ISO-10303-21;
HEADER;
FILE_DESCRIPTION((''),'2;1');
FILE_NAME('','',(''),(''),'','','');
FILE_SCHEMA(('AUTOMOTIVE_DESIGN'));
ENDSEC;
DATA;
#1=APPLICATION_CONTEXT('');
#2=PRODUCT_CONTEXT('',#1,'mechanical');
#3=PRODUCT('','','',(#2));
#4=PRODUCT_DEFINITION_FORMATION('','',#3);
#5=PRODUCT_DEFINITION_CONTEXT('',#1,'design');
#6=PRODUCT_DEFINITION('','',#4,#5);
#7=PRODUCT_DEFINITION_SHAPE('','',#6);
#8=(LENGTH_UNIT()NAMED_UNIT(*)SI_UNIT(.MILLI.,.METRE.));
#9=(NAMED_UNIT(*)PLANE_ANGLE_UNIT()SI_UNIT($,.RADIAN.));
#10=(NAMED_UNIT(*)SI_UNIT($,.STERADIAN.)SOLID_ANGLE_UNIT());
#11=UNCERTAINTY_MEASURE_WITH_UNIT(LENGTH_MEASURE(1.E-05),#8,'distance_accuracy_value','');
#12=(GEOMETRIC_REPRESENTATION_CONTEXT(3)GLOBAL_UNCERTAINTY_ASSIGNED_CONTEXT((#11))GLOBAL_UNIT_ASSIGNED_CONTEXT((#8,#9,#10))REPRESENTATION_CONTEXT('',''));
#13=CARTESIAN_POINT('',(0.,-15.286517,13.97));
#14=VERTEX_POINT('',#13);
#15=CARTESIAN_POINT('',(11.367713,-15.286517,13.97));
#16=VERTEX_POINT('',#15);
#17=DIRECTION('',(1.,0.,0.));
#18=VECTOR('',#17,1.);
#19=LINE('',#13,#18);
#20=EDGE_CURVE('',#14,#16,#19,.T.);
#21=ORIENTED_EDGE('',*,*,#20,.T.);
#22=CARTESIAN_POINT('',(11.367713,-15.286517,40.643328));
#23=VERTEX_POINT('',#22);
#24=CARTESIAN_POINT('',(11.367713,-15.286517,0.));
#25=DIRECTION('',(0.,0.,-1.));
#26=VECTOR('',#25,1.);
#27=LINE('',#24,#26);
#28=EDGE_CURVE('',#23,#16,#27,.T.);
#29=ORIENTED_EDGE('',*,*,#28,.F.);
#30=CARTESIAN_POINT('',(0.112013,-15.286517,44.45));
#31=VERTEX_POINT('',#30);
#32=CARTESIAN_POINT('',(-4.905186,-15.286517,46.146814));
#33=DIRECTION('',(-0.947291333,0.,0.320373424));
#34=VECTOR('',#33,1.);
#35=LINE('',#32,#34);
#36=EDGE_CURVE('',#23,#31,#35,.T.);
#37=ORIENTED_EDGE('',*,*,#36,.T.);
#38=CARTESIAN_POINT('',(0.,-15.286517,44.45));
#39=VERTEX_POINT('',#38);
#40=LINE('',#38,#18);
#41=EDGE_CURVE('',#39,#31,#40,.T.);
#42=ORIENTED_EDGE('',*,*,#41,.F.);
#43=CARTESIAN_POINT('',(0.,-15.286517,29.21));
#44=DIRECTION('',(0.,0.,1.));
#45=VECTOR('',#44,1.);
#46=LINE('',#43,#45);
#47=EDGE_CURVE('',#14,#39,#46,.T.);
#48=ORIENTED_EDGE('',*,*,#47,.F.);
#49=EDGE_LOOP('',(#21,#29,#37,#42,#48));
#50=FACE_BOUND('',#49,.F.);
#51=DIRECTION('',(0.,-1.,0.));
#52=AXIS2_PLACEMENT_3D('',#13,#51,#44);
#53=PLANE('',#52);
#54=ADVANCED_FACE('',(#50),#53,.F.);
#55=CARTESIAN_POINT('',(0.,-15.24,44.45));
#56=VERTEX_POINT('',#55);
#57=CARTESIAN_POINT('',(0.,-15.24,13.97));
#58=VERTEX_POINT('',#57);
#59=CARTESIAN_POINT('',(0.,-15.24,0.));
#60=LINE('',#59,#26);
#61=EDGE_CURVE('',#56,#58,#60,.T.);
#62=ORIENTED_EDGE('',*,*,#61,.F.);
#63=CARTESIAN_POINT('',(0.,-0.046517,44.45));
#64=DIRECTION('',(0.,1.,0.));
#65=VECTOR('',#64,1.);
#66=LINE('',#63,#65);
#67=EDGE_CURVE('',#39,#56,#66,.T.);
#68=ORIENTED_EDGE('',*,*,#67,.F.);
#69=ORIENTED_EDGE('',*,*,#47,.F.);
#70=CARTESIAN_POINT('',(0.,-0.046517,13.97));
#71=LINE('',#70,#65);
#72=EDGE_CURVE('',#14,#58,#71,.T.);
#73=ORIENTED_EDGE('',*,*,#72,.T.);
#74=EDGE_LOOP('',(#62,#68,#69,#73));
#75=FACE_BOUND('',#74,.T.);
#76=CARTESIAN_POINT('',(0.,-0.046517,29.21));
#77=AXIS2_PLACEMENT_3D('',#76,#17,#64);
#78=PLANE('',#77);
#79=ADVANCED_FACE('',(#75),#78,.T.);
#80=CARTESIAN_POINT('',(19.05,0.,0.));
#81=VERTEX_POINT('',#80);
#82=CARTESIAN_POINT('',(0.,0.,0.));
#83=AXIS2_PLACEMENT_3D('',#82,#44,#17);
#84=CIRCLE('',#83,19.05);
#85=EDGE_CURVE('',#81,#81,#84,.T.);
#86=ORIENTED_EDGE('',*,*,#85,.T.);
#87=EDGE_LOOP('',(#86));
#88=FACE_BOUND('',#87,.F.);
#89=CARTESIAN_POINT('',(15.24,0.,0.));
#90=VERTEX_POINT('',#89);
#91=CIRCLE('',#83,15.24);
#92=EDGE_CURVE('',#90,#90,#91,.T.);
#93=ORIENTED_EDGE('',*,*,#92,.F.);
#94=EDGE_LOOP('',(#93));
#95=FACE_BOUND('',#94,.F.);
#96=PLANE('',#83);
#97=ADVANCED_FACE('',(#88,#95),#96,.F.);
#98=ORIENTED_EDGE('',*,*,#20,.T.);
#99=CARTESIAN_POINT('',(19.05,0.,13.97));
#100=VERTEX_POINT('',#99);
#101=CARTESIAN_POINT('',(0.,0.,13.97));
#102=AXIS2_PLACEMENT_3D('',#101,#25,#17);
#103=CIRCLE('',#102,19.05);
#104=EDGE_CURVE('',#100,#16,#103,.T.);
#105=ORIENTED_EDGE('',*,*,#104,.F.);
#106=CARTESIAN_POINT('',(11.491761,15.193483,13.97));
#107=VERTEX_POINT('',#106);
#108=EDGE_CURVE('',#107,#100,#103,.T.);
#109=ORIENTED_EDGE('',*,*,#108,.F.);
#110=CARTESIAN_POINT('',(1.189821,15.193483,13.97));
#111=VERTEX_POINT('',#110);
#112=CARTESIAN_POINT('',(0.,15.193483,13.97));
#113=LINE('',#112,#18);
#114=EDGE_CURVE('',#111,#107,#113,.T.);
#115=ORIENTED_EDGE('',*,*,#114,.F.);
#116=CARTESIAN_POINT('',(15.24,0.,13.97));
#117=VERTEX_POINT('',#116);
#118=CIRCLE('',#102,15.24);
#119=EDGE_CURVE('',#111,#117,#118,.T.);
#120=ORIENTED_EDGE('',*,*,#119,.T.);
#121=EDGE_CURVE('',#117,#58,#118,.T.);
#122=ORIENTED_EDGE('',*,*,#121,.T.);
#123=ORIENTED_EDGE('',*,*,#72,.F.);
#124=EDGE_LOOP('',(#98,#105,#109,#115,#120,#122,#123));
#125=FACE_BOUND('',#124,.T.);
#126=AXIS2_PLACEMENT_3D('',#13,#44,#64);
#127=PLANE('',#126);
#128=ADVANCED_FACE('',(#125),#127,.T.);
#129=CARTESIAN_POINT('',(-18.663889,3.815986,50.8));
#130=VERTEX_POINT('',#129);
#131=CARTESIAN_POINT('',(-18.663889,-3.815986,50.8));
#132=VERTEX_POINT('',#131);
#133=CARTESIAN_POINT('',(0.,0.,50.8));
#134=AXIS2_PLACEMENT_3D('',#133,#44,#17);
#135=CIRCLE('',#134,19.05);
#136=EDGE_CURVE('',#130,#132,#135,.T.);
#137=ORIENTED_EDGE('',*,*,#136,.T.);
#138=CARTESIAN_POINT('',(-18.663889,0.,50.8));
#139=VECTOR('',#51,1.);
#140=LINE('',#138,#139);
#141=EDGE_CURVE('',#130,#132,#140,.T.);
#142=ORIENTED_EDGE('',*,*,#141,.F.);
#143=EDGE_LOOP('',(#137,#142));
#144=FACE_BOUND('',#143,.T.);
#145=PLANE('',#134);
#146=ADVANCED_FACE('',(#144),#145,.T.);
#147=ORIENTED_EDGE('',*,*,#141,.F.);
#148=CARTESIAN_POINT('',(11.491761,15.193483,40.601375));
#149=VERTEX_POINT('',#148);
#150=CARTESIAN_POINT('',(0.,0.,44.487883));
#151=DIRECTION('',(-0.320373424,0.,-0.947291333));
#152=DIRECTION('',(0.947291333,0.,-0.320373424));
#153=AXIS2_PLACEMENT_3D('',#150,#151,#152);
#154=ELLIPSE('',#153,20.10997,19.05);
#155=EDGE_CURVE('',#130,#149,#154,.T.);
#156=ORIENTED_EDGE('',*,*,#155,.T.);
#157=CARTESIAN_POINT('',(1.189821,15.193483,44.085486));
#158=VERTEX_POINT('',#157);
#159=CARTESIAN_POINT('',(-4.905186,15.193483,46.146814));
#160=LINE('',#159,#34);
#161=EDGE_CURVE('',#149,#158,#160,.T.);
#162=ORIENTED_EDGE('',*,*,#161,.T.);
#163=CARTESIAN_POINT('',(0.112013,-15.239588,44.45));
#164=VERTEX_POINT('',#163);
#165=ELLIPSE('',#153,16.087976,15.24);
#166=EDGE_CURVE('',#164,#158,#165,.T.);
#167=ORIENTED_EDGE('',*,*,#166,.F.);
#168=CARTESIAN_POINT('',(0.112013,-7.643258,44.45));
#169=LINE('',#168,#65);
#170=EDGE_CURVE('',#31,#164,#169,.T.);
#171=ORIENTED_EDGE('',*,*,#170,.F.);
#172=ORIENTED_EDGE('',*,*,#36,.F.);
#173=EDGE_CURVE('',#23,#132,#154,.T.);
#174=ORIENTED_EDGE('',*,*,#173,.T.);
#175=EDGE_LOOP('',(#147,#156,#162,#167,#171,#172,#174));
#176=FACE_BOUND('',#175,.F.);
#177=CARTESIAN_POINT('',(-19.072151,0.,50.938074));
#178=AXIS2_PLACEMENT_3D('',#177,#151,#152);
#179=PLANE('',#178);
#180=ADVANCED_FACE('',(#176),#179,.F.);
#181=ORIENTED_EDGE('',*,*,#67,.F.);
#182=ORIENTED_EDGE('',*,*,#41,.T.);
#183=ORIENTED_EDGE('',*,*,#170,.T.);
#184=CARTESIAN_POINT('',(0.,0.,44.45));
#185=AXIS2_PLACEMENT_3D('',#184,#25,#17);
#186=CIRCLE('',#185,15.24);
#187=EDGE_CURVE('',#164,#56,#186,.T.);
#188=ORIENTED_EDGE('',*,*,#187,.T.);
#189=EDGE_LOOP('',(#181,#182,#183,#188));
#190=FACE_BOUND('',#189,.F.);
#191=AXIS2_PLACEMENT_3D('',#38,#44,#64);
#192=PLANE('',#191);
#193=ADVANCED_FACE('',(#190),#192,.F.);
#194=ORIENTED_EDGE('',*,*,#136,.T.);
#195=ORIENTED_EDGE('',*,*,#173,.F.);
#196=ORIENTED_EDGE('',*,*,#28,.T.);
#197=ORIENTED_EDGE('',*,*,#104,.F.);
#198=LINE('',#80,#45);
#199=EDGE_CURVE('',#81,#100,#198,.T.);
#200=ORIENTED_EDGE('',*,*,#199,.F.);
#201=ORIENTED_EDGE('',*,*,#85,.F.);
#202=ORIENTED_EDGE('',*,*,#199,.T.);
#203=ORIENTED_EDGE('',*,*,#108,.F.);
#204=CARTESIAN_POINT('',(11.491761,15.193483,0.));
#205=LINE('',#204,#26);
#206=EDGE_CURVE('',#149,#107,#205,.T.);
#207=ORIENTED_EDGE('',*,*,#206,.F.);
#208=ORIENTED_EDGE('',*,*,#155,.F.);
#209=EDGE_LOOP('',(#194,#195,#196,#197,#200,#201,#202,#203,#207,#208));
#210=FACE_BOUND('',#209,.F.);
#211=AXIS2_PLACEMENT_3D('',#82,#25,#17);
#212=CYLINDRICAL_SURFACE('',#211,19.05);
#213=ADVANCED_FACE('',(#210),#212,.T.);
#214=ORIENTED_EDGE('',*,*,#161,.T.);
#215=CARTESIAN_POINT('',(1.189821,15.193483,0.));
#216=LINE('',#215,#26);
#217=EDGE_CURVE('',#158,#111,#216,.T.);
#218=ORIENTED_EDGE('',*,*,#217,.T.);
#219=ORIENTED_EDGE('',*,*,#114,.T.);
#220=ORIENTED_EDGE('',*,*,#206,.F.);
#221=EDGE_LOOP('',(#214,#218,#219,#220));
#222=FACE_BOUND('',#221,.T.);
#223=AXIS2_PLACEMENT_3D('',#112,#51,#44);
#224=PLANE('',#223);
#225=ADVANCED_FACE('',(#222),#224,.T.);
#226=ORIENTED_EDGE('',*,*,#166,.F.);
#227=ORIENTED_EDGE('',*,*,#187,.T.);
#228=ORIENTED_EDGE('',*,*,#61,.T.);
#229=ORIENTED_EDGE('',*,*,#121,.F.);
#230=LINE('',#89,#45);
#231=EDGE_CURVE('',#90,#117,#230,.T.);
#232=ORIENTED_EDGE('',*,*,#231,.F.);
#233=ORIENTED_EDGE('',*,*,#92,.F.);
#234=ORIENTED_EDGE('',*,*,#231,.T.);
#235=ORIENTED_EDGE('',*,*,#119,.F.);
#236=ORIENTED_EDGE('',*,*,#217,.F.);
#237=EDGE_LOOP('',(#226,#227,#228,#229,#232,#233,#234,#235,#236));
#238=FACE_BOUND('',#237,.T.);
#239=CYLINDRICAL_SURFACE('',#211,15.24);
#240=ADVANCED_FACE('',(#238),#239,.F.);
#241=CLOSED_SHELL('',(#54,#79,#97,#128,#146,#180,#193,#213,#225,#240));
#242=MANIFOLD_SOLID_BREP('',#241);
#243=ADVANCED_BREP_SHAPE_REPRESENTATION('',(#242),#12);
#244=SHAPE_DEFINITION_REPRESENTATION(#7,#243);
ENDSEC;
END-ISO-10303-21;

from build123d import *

# Parameters (mm, degrees)
F0_R     = 19.05
F0_R_2   = 15.24
F1_DEPTH = 50.8
F3_DEPTH = 25.4
F4_W     = 30.48
F4_H     = 30.48
F5_DEPTH = 25.4


with BuildPart() as f1:
    # F0 (on Top) → F1 (new body)
    with BuildSketch(Plane.XY):
        Circle(F0_R)
        Circle(F0_R_2, mode=Mode.SUBTRACT)
    extrude(amount=F1_DEPTH)

    # F2 (on Front) → F3 (cut, symmetric)
    with BuildSketch(Plane.XZ):
        Polygon((19.165186, 50.845042), (-19.072151, 50.938074), (19.165186, 38.006227), align=None)
    extrude(amount=F3_DEPTH, both=True, mode=Mode.SUBTRACT)

    # F4 (on Right) → F5 (cut)
    with BuildSketch(Plane.YZ):
        with Locations((-0.046517, 29.21)):
            Rectangle(F4_W, F4_H)
    extrude(amount=F5_DEPTH, mode=Mode.SUBTRACT)


solid = f1.part
